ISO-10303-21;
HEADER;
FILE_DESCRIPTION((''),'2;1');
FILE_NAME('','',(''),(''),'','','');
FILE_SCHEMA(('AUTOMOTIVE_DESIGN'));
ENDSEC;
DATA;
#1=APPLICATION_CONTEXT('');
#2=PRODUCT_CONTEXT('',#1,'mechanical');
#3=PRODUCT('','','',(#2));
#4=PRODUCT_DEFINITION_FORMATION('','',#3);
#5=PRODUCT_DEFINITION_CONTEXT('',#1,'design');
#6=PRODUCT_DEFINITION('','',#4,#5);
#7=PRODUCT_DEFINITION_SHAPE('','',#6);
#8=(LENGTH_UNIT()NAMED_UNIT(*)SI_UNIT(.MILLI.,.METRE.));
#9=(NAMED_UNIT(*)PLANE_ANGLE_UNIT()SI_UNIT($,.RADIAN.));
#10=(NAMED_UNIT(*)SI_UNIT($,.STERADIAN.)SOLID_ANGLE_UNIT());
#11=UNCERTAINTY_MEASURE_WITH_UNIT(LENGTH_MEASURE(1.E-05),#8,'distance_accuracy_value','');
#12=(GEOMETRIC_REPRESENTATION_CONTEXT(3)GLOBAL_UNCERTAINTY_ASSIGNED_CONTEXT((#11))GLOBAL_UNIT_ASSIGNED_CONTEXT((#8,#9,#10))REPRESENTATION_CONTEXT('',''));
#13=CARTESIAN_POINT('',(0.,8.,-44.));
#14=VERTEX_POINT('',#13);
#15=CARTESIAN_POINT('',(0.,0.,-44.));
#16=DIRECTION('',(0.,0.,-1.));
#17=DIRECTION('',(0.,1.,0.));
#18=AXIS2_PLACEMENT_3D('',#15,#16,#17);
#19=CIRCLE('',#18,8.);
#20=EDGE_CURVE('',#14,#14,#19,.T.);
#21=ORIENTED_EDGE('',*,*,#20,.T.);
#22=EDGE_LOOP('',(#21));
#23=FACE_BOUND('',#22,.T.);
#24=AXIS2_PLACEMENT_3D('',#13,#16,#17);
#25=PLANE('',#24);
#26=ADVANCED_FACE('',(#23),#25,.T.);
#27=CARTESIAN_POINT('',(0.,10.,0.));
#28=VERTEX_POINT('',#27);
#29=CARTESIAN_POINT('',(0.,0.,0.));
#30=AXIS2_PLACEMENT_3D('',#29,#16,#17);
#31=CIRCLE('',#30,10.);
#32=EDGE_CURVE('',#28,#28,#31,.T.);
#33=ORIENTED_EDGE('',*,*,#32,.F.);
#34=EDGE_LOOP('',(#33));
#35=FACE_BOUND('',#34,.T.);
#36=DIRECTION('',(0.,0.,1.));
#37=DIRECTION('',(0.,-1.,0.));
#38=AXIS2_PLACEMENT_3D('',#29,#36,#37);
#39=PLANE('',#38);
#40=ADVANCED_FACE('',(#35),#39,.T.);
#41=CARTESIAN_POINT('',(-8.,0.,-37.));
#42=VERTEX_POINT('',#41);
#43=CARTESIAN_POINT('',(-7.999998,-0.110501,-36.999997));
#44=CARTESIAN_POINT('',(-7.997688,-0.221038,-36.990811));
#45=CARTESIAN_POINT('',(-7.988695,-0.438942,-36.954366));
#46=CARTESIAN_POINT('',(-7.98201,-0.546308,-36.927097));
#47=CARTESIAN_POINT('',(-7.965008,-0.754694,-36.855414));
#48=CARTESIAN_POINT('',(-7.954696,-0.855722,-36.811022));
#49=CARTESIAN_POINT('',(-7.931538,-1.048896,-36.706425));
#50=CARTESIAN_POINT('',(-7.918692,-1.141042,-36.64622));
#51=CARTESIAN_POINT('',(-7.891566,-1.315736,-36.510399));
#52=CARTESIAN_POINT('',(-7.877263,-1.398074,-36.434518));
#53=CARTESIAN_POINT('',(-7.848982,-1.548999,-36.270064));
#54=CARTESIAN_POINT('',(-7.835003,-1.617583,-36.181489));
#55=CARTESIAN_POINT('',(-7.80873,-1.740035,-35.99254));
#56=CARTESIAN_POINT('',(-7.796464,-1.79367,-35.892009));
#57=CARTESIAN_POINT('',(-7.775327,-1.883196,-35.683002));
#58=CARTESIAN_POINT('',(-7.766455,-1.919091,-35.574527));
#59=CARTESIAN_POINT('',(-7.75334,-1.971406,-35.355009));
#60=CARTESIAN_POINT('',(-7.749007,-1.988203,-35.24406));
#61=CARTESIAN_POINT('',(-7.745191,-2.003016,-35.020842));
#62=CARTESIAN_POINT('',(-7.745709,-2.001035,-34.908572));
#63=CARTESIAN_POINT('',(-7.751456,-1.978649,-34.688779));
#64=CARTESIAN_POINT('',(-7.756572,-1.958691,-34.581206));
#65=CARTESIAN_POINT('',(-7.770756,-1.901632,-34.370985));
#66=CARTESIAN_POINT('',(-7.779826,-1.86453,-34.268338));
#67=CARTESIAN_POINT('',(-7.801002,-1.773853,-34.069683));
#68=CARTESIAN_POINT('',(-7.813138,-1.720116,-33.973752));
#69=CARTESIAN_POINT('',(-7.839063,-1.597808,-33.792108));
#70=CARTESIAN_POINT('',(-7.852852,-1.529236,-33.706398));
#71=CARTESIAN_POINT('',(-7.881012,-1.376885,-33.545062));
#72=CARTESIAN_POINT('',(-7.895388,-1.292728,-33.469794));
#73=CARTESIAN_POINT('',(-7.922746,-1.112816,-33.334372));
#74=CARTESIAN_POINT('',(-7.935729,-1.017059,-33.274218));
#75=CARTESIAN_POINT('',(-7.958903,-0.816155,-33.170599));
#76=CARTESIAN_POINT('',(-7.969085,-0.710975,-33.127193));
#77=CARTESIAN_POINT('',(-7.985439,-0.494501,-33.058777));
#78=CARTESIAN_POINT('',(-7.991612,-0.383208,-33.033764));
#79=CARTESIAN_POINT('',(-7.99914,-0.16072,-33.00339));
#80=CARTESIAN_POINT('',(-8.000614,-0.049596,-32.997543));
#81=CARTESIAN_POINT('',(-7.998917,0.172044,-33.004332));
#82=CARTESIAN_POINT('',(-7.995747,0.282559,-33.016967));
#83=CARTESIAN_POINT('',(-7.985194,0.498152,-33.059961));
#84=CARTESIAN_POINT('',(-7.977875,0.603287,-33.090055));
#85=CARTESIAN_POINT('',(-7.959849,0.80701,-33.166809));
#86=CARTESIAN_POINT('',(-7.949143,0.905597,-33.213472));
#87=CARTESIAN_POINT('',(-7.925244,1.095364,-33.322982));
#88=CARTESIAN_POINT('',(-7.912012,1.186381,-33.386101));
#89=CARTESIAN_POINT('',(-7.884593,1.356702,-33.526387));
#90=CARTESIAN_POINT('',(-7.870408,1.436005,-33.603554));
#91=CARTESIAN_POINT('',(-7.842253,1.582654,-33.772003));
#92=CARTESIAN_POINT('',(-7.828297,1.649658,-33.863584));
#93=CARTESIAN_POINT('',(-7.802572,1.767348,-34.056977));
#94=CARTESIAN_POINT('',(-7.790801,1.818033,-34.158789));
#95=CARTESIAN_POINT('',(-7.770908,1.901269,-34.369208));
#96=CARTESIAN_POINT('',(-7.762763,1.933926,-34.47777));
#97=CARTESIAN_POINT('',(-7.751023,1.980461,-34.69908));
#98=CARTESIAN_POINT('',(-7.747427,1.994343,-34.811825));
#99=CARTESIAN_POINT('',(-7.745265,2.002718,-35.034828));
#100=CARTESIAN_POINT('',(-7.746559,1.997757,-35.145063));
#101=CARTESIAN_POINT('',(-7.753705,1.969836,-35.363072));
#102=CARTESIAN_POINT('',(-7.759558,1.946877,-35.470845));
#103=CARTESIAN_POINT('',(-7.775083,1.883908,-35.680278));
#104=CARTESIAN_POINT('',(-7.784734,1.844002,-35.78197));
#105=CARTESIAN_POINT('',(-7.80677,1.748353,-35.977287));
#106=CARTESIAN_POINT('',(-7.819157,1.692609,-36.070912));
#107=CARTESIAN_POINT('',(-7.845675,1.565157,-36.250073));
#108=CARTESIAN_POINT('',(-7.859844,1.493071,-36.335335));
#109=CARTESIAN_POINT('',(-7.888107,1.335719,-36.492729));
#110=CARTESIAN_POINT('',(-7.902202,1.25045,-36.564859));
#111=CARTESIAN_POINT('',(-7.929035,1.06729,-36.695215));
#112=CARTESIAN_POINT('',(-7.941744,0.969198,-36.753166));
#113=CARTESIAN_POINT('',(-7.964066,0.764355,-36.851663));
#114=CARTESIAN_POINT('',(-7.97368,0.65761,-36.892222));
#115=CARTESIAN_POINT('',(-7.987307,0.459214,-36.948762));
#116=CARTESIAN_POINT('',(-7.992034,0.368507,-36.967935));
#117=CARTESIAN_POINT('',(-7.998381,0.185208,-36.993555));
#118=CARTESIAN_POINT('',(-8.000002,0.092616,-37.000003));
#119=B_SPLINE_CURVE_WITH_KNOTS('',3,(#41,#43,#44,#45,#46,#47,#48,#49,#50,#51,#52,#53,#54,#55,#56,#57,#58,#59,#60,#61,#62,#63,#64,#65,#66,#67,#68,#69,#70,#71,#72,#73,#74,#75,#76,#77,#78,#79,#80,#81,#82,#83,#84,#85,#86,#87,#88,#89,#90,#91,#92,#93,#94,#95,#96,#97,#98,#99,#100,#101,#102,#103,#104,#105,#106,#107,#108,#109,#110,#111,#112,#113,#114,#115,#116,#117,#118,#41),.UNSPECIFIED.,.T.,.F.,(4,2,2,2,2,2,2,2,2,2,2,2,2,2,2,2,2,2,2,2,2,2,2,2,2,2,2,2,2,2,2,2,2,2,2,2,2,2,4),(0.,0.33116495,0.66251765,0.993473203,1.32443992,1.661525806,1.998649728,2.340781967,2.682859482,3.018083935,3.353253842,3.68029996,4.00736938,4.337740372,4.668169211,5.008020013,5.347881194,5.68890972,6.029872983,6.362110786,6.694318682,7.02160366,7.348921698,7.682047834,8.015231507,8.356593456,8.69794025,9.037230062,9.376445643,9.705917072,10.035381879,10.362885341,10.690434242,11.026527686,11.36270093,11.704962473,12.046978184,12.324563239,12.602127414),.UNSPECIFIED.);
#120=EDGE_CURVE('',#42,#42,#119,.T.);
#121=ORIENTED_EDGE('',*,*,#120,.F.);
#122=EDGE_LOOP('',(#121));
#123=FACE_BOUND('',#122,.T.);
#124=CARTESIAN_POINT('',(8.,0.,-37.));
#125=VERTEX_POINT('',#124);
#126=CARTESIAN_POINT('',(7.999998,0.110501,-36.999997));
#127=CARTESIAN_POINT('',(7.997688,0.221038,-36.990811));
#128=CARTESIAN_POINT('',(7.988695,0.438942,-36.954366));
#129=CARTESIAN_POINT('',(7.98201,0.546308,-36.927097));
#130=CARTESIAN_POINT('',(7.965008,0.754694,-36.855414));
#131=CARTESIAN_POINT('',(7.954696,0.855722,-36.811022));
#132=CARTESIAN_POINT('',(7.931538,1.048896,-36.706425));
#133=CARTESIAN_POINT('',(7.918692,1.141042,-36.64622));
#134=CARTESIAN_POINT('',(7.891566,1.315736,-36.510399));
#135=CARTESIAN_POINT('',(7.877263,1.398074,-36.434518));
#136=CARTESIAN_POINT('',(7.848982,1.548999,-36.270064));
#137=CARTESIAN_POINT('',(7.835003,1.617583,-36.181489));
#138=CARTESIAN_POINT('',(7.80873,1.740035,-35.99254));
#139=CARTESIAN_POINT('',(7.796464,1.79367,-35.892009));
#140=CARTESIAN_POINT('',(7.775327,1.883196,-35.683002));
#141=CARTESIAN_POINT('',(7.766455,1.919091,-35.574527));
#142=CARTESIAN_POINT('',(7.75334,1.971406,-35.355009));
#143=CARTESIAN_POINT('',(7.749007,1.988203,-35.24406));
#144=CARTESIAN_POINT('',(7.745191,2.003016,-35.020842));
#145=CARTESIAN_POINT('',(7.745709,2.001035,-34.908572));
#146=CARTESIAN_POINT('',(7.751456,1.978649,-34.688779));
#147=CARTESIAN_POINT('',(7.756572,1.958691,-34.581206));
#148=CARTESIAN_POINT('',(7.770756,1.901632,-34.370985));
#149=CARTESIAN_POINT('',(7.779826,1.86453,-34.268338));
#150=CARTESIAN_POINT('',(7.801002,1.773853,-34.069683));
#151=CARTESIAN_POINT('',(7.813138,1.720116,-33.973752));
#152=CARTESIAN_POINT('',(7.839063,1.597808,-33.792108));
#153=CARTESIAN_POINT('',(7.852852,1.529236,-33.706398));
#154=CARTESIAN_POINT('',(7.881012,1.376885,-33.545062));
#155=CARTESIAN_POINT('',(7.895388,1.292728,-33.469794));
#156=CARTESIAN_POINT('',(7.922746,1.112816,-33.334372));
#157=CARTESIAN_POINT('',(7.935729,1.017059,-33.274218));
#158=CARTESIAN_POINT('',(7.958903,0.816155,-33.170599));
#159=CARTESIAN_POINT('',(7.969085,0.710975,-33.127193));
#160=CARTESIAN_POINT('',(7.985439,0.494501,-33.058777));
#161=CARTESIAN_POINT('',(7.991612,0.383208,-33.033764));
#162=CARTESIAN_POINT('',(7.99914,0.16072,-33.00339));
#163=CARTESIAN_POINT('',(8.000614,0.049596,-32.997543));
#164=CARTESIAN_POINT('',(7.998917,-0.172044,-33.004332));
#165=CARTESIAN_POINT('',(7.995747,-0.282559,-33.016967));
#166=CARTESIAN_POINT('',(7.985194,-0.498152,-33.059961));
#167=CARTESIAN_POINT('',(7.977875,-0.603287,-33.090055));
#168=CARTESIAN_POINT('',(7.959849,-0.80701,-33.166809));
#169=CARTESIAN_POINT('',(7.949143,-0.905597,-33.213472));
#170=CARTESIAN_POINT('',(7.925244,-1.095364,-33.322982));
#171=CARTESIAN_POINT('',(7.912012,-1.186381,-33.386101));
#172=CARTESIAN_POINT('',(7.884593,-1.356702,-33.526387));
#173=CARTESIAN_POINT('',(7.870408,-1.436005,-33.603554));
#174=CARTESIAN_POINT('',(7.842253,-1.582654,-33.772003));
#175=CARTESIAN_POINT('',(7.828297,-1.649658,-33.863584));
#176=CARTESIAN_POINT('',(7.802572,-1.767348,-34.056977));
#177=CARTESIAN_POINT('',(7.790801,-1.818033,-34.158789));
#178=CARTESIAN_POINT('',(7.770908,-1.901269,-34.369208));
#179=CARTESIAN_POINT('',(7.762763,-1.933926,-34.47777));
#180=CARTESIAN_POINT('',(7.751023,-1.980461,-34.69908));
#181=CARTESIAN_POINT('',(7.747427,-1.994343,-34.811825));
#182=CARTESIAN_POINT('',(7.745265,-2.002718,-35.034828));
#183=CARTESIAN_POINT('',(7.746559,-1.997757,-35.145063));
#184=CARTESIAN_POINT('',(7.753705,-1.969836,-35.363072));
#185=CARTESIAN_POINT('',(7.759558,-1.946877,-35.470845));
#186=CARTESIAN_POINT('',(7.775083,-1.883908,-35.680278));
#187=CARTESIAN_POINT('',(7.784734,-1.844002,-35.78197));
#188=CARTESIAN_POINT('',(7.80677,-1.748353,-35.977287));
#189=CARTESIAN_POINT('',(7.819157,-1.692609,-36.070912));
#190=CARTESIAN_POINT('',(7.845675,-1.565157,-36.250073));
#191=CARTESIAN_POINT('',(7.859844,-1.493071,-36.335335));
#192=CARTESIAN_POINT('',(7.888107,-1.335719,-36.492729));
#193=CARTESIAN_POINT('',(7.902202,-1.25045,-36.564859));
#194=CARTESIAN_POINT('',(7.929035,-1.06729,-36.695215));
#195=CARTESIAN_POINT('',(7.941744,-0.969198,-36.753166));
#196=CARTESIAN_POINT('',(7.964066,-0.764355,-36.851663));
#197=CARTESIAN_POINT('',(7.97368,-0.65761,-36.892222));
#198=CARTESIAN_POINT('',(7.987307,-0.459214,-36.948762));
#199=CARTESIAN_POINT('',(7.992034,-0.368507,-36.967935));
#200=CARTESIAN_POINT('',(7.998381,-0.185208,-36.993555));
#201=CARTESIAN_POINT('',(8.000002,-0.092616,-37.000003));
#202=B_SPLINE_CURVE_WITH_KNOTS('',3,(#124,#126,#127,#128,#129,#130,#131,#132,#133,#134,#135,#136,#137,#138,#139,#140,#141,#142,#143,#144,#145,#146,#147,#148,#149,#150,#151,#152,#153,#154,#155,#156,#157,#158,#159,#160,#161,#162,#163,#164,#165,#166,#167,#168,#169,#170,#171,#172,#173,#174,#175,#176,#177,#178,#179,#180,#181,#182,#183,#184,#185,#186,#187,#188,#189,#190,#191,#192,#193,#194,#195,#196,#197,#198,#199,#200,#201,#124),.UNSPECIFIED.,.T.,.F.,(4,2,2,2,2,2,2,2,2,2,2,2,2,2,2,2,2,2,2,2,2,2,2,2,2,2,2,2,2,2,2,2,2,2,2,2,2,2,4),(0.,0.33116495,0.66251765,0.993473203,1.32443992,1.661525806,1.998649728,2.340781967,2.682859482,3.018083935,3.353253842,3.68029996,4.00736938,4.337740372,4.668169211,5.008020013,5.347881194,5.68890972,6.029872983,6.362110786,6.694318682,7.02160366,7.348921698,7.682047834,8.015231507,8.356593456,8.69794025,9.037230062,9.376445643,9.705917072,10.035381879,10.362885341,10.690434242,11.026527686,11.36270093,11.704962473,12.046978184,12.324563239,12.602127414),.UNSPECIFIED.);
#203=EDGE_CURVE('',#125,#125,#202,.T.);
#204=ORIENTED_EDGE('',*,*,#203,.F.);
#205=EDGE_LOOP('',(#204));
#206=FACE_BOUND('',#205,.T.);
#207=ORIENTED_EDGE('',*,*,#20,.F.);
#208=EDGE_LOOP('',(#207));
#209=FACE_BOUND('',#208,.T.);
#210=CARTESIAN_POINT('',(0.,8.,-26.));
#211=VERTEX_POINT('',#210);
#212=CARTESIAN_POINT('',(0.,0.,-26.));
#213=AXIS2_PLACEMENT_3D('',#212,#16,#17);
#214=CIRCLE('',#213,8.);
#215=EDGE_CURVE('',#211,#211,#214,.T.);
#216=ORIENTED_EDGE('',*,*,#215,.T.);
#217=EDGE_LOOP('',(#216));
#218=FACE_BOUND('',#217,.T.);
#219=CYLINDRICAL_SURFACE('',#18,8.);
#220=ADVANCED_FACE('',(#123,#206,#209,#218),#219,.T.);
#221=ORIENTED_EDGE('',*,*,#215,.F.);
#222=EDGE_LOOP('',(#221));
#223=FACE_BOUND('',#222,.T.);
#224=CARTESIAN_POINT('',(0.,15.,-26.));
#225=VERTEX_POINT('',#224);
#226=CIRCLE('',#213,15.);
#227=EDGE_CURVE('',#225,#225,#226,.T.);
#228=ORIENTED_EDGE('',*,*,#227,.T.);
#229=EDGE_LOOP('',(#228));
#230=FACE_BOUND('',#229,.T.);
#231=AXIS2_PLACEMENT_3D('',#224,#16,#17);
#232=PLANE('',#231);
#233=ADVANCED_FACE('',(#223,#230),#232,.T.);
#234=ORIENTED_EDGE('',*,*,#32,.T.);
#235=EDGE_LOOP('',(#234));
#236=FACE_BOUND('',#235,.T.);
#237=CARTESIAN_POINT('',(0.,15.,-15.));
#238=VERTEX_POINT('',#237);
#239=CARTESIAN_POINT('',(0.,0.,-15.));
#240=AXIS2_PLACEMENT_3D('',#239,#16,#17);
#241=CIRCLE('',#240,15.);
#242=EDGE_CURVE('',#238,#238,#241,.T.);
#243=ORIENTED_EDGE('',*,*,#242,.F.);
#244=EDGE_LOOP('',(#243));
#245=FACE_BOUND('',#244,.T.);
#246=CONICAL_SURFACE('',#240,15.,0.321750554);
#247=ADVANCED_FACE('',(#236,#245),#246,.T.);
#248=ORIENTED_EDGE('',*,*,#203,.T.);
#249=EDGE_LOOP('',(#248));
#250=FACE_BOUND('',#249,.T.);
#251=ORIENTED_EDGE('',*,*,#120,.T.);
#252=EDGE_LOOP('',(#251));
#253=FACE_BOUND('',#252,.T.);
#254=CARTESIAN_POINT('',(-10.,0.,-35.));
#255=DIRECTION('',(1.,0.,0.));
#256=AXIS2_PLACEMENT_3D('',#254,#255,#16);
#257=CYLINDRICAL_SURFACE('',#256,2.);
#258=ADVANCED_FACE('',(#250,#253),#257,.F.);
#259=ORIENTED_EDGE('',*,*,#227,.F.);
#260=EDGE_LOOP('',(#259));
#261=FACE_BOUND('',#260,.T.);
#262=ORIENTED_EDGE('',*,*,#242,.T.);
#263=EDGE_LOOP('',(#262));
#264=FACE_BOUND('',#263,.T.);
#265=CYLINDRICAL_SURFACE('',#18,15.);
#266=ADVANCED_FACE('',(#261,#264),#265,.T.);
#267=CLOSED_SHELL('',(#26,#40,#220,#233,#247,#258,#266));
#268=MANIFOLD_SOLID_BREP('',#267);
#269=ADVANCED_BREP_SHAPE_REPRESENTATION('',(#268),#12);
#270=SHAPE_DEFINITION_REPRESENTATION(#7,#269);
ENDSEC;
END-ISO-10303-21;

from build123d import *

# Parameters (mm, degrees)
SKETCH_2_R          = 2
CUT_EXTRUDE_1_DEPTH = 10


with BuildPart() as part:
    # 草圖1 → 旋轉1 (revolve)
    with BuildSketch(Plane(origin=(0, 0, 0), x_dir=(0, 0, -1), z_dir=(1, 0, 0))):
        Polygon((0, 0), (0, 10), (15, 15), (26, 15), (26, 8), (44, 8), (44, 0), align=None)
    revolve(axis=Axis((0, 0, -44), (0, 0, 1)))

    # 草圖2 → 除料-伸長1 (cut, symmetric)
    with BuildSketch(Plane(origin=(0, 0, 0), x_dir=(0, 0, -1), z_dir=(1, 0, 0))):
        with Locations((35, 0)):
            Circle(SKETCH_2_R)
    extrude(amount=CUT_EXTRUDE_1_DEPTH, both=True, mode=Mode.SUBTRACT)


solid = part.part
